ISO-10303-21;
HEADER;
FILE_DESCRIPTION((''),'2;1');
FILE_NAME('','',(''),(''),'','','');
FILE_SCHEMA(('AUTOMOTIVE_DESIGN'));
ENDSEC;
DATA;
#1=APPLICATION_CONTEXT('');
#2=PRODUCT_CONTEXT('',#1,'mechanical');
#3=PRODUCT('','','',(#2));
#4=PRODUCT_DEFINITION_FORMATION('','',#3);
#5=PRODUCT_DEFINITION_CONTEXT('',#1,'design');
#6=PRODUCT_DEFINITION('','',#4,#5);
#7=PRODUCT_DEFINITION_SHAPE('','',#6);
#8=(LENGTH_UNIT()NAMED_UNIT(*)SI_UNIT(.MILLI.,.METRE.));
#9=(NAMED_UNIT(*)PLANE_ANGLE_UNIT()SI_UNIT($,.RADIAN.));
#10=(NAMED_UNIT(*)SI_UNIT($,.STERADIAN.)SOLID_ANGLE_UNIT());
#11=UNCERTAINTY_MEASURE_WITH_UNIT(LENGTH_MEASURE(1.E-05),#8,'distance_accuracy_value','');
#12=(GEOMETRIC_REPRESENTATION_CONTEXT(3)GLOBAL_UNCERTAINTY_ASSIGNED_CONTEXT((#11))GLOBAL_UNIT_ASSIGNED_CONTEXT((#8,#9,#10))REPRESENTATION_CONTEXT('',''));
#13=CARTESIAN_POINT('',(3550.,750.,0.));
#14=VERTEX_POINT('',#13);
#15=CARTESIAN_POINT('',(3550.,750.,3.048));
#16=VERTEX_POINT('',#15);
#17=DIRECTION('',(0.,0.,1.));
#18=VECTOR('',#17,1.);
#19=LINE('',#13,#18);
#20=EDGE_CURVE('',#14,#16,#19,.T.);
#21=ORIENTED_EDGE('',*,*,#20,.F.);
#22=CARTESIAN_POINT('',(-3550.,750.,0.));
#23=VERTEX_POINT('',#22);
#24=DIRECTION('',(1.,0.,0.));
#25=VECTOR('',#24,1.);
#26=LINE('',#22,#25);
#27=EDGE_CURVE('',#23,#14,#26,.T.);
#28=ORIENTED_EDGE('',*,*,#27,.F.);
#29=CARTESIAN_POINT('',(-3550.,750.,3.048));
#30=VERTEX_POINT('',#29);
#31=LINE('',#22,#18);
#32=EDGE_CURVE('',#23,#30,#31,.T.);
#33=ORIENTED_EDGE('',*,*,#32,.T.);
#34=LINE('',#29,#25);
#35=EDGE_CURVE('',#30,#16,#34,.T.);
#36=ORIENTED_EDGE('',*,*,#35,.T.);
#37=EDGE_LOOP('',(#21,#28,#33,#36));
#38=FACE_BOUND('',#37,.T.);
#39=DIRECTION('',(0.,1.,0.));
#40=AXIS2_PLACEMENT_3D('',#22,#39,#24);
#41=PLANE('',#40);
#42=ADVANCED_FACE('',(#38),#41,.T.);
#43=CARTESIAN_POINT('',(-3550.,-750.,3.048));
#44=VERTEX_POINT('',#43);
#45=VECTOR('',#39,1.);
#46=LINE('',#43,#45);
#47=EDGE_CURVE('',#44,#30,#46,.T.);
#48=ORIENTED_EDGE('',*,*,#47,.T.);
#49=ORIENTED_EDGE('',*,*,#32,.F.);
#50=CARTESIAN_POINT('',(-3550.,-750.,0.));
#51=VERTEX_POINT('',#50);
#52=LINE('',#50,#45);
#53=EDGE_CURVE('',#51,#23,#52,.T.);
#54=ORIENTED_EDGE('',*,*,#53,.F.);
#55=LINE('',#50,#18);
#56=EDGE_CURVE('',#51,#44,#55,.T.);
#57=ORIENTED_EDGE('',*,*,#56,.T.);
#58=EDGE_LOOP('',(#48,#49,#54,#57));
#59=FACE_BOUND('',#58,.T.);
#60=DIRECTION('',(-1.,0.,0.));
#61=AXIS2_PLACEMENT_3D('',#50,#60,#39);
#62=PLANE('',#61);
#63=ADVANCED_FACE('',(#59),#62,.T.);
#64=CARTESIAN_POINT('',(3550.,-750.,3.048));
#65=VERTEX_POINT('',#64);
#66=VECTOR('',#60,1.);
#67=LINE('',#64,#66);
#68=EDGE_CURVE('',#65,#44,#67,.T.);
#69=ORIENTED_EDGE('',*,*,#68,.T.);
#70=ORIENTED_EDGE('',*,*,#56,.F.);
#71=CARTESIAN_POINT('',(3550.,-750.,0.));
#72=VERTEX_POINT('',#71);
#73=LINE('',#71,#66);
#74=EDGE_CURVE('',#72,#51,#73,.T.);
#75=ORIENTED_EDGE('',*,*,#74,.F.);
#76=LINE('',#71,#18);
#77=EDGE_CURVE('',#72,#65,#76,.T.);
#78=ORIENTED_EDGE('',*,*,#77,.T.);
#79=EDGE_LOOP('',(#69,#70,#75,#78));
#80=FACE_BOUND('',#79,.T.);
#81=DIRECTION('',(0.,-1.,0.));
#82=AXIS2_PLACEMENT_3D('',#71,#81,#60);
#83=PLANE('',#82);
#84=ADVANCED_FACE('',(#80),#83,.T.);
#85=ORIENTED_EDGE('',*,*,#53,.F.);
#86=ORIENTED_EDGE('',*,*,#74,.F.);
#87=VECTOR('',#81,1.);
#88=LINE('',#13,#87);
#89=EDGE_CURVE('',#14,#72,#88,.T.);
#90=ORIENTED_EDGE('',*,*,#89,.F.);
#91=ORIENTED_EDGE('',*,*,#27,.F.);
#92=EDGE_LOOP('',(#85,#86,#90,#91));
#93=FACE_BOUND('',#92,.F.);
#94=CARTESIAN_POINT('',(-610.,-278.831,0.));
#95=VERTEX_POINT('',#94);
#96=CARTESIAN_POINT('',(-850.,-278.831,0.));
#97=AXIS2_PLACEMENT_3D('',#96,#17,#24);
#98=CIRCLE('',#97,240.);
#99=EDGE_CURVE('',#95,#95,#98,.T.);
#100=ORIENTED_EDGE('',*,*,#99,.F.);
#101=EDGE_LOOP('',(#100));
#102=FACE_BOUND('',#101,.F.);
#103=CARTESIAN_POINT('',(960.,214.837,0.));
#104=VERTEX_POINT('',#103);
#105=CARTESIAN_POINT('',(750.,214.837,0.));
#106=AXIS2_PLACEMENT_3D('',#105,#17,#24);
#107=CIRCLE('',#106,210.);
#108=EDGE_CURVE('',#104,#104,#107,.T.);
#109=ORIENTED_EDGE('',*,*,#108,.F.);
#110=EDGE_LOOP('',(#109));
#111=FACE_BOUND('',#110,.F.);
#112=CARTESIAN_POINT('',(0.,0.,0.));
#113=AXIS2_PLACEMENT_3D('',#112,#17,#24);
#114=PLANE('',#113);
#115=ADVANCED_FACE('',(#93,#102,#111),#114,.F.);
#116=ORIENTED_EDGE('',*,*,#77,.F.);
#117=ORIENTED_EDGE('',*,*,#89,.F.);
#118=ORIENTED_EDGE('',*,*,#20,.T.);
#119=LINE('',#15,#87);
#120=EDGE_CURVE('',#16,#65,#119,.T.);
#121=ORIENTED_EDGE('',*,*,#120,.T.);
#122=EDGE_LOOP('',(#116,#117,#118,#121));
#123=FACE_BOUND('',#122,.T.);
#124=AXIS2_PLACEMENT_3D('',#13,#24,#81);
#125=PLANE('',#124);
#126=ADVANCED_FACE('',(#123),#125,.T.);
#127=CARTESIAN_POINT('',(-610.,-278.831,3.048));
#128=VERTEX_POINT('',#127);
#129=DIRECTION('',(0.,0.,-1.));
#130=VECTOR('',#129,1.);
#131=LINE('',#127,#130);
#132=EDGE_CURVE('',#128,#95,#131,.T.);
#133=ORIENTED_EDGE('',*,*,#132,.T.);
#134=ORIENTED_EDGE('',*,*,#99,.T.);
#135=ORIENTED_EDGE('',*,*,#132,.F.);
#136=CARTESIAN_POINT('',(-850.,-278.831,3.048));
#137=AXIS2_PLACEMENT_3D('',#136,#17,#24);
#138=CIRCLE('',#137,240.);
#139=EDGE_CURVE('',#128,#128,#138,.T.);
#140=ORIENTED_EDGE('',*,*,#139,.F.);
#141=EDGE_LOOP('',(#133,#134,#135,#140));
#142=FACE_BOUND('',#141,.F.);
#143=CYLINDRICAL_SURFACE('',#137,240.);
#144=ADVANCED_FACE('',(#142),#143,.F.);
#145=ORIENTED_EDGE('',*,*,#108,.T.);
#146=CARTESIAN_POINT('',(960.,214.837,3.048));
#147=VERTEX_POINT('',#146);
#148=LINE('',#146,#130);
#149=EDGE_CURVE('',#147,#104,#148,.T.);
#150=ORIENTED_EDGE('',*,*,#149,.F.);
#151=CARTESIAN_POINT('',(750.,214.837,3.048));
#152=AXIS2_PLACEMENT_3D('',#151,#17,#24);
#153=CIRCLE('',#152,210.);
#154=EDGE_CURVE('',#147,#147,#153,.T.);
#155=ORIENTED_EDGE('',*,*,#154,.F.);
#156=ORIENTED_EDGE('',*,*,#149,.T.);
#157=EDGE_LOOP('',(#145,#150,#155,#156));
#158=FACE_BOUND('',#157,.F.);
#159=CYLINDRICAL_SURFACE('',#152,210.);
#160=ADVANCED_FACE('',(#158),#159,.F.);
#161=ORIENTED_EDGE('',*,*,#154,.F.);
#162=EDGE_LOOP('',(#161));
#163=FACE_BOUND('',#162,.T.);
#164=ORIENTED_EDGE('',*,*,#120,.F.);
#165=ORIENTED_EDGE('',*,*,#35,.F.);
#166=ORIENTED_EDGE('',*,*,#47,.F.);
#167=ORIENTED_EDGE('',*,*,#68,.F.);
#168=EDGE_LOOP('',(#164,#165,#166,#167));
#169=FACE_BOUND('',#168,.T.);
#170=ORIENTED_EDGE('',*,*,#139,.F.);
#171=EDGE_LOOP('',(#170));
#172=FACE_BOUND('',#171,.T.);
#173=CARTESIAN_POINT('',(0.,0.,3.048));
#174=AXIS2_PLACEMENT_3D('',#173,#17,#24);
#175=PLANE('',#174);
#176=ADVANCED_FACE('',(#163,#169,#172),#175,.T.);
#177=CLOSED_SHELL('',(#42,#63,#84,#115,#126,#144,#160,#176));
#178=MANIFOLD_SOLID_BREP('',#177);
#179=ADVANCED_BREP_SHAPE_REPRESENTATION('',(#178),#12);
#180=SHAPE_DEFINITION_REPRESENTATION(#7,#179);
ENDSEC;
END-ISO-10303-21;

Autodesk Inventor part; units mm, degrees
ref_plane "YZ Plane" through (0, 0, 0) normal (1, 0, 0) x (0, 1, 0)
ref_plane "XZ Plane" through (0, 0, 0) normal (0, 1, 0) x (-1, 0, 0)
ref_plane "XY Plane" through (0, 0, 0) normal (0, 0, 1) x (1, 0, 0)
sketch "Sketch1" plane through (0, 0, 0) normal (0, 0, 1) x (1, 0, 0)
  line L0 (3550, -750) -> (-3550, -750)
  line L1 (-3550, -750) -> (-3550, 750)
  line L2 (-3550, 750) -> (3550, 750)
  line L3 (3550, 750) -> (3550, -750)
  line L4 (3550, -750) -> (-3550, 750) construction
  line L5 (-3550, -750) -> (3550, 750) construction
  point P0 (0, 0)
  dimension "d6" = 7100
extrude "Plate1" add sketch "Sketch1" along normal blind 3.048
sketch "Sketch2" plane through (0, 0, 3.048) normal (0, 0, 1) x (1, 0, 0)
  circle A0 centre (750, 214.837) radius 210
  circle A1 centre (-850, -278.831) radius 240
  line L0 (-3550, -750) -> (-3550, 750) projected
  point P0 (0, 0)
  dimension "d2" = 4300
  dimension "d3" = 2700
  dimension "d11" = 420
  dimension "d12" = 480
extrude "Cut1" cut sketch "Sketch2" against normal blind 3.048
sketch "Sketch3" plane through (0, 0, 3.048) normal (0, 0, 1) x (1, 0, 0)
  line L0 (3550, 750) -> (-3550, 750) projected
  line L1 (-550, 750) -> (-550, -750)
  line L2 (-3550, -750) -> (3550, -750) projected
  line L3 (2450, 750) -> (2450, -750)
  line L4 (3700, -750) -> (3700, 750)
  line L5 (-3550, -750) -> (-3550, 750) projected
  line L6 (3701, 750) -> (3701, -750)
  circle A0 centre (750, 214.837) radius 210 projected
  line L7 (540, 214.837) -> (540, -750)
  line L8 (960, 214.837) -> (960, -750)
  circle A1 centre (-850, -278.831) radius 240 projected
  line L9 (-610, -278.831) -> (-610, -750)
  line L10 (-1090, -278.831) -> (-1090, -750)
  point P0 (0, 0)
  dimension "d7" = 3000
  dimension "d8" = 3000
  dimension "d9" = 1250
  dimension "d10" = 1
equation "\"d6\" = Length"
equation "\"d2\" = Hole1"
equation "\"d3\" = Hole2"
equation "\"d4\" = Thickness"
equation "\"d7\" = S1"
equation "\"d8\" = S2"
equation "\"d9\" = S3"
equation "\"d10\" = S4"
equation "\"d1\" = Thickness"
equation "\"BendRadius\" = Thickness"
equation "\"BendReliefWidth\" = Thickness"
equation "\"BendReliefDepth\" = 0.5 * Thickness"
equation "\"CornerReliefSize\" = 4 * Thickness"
equation "\"MinimumRemnant\" = 2 * Thickness"
equation "\"TransitionRadius\" = BendRadius"
equation "\"JacobiRadiusSize\" = BendRadius"
equation "\"GapSize\" = Thickness"
equation "\"Length\" = 7100"
equation "\"Hole1\" = 4300"
equation "\"Hole2\" = 2700"
equation "\"S1\" = 3000"
equation "\"S2\" = 3000"
equation "\"S3\" = 1250"
equation "\"S4\" = 1"
equation "\"Thickness\" = 3.048"
properties part number "Sheet divider"
